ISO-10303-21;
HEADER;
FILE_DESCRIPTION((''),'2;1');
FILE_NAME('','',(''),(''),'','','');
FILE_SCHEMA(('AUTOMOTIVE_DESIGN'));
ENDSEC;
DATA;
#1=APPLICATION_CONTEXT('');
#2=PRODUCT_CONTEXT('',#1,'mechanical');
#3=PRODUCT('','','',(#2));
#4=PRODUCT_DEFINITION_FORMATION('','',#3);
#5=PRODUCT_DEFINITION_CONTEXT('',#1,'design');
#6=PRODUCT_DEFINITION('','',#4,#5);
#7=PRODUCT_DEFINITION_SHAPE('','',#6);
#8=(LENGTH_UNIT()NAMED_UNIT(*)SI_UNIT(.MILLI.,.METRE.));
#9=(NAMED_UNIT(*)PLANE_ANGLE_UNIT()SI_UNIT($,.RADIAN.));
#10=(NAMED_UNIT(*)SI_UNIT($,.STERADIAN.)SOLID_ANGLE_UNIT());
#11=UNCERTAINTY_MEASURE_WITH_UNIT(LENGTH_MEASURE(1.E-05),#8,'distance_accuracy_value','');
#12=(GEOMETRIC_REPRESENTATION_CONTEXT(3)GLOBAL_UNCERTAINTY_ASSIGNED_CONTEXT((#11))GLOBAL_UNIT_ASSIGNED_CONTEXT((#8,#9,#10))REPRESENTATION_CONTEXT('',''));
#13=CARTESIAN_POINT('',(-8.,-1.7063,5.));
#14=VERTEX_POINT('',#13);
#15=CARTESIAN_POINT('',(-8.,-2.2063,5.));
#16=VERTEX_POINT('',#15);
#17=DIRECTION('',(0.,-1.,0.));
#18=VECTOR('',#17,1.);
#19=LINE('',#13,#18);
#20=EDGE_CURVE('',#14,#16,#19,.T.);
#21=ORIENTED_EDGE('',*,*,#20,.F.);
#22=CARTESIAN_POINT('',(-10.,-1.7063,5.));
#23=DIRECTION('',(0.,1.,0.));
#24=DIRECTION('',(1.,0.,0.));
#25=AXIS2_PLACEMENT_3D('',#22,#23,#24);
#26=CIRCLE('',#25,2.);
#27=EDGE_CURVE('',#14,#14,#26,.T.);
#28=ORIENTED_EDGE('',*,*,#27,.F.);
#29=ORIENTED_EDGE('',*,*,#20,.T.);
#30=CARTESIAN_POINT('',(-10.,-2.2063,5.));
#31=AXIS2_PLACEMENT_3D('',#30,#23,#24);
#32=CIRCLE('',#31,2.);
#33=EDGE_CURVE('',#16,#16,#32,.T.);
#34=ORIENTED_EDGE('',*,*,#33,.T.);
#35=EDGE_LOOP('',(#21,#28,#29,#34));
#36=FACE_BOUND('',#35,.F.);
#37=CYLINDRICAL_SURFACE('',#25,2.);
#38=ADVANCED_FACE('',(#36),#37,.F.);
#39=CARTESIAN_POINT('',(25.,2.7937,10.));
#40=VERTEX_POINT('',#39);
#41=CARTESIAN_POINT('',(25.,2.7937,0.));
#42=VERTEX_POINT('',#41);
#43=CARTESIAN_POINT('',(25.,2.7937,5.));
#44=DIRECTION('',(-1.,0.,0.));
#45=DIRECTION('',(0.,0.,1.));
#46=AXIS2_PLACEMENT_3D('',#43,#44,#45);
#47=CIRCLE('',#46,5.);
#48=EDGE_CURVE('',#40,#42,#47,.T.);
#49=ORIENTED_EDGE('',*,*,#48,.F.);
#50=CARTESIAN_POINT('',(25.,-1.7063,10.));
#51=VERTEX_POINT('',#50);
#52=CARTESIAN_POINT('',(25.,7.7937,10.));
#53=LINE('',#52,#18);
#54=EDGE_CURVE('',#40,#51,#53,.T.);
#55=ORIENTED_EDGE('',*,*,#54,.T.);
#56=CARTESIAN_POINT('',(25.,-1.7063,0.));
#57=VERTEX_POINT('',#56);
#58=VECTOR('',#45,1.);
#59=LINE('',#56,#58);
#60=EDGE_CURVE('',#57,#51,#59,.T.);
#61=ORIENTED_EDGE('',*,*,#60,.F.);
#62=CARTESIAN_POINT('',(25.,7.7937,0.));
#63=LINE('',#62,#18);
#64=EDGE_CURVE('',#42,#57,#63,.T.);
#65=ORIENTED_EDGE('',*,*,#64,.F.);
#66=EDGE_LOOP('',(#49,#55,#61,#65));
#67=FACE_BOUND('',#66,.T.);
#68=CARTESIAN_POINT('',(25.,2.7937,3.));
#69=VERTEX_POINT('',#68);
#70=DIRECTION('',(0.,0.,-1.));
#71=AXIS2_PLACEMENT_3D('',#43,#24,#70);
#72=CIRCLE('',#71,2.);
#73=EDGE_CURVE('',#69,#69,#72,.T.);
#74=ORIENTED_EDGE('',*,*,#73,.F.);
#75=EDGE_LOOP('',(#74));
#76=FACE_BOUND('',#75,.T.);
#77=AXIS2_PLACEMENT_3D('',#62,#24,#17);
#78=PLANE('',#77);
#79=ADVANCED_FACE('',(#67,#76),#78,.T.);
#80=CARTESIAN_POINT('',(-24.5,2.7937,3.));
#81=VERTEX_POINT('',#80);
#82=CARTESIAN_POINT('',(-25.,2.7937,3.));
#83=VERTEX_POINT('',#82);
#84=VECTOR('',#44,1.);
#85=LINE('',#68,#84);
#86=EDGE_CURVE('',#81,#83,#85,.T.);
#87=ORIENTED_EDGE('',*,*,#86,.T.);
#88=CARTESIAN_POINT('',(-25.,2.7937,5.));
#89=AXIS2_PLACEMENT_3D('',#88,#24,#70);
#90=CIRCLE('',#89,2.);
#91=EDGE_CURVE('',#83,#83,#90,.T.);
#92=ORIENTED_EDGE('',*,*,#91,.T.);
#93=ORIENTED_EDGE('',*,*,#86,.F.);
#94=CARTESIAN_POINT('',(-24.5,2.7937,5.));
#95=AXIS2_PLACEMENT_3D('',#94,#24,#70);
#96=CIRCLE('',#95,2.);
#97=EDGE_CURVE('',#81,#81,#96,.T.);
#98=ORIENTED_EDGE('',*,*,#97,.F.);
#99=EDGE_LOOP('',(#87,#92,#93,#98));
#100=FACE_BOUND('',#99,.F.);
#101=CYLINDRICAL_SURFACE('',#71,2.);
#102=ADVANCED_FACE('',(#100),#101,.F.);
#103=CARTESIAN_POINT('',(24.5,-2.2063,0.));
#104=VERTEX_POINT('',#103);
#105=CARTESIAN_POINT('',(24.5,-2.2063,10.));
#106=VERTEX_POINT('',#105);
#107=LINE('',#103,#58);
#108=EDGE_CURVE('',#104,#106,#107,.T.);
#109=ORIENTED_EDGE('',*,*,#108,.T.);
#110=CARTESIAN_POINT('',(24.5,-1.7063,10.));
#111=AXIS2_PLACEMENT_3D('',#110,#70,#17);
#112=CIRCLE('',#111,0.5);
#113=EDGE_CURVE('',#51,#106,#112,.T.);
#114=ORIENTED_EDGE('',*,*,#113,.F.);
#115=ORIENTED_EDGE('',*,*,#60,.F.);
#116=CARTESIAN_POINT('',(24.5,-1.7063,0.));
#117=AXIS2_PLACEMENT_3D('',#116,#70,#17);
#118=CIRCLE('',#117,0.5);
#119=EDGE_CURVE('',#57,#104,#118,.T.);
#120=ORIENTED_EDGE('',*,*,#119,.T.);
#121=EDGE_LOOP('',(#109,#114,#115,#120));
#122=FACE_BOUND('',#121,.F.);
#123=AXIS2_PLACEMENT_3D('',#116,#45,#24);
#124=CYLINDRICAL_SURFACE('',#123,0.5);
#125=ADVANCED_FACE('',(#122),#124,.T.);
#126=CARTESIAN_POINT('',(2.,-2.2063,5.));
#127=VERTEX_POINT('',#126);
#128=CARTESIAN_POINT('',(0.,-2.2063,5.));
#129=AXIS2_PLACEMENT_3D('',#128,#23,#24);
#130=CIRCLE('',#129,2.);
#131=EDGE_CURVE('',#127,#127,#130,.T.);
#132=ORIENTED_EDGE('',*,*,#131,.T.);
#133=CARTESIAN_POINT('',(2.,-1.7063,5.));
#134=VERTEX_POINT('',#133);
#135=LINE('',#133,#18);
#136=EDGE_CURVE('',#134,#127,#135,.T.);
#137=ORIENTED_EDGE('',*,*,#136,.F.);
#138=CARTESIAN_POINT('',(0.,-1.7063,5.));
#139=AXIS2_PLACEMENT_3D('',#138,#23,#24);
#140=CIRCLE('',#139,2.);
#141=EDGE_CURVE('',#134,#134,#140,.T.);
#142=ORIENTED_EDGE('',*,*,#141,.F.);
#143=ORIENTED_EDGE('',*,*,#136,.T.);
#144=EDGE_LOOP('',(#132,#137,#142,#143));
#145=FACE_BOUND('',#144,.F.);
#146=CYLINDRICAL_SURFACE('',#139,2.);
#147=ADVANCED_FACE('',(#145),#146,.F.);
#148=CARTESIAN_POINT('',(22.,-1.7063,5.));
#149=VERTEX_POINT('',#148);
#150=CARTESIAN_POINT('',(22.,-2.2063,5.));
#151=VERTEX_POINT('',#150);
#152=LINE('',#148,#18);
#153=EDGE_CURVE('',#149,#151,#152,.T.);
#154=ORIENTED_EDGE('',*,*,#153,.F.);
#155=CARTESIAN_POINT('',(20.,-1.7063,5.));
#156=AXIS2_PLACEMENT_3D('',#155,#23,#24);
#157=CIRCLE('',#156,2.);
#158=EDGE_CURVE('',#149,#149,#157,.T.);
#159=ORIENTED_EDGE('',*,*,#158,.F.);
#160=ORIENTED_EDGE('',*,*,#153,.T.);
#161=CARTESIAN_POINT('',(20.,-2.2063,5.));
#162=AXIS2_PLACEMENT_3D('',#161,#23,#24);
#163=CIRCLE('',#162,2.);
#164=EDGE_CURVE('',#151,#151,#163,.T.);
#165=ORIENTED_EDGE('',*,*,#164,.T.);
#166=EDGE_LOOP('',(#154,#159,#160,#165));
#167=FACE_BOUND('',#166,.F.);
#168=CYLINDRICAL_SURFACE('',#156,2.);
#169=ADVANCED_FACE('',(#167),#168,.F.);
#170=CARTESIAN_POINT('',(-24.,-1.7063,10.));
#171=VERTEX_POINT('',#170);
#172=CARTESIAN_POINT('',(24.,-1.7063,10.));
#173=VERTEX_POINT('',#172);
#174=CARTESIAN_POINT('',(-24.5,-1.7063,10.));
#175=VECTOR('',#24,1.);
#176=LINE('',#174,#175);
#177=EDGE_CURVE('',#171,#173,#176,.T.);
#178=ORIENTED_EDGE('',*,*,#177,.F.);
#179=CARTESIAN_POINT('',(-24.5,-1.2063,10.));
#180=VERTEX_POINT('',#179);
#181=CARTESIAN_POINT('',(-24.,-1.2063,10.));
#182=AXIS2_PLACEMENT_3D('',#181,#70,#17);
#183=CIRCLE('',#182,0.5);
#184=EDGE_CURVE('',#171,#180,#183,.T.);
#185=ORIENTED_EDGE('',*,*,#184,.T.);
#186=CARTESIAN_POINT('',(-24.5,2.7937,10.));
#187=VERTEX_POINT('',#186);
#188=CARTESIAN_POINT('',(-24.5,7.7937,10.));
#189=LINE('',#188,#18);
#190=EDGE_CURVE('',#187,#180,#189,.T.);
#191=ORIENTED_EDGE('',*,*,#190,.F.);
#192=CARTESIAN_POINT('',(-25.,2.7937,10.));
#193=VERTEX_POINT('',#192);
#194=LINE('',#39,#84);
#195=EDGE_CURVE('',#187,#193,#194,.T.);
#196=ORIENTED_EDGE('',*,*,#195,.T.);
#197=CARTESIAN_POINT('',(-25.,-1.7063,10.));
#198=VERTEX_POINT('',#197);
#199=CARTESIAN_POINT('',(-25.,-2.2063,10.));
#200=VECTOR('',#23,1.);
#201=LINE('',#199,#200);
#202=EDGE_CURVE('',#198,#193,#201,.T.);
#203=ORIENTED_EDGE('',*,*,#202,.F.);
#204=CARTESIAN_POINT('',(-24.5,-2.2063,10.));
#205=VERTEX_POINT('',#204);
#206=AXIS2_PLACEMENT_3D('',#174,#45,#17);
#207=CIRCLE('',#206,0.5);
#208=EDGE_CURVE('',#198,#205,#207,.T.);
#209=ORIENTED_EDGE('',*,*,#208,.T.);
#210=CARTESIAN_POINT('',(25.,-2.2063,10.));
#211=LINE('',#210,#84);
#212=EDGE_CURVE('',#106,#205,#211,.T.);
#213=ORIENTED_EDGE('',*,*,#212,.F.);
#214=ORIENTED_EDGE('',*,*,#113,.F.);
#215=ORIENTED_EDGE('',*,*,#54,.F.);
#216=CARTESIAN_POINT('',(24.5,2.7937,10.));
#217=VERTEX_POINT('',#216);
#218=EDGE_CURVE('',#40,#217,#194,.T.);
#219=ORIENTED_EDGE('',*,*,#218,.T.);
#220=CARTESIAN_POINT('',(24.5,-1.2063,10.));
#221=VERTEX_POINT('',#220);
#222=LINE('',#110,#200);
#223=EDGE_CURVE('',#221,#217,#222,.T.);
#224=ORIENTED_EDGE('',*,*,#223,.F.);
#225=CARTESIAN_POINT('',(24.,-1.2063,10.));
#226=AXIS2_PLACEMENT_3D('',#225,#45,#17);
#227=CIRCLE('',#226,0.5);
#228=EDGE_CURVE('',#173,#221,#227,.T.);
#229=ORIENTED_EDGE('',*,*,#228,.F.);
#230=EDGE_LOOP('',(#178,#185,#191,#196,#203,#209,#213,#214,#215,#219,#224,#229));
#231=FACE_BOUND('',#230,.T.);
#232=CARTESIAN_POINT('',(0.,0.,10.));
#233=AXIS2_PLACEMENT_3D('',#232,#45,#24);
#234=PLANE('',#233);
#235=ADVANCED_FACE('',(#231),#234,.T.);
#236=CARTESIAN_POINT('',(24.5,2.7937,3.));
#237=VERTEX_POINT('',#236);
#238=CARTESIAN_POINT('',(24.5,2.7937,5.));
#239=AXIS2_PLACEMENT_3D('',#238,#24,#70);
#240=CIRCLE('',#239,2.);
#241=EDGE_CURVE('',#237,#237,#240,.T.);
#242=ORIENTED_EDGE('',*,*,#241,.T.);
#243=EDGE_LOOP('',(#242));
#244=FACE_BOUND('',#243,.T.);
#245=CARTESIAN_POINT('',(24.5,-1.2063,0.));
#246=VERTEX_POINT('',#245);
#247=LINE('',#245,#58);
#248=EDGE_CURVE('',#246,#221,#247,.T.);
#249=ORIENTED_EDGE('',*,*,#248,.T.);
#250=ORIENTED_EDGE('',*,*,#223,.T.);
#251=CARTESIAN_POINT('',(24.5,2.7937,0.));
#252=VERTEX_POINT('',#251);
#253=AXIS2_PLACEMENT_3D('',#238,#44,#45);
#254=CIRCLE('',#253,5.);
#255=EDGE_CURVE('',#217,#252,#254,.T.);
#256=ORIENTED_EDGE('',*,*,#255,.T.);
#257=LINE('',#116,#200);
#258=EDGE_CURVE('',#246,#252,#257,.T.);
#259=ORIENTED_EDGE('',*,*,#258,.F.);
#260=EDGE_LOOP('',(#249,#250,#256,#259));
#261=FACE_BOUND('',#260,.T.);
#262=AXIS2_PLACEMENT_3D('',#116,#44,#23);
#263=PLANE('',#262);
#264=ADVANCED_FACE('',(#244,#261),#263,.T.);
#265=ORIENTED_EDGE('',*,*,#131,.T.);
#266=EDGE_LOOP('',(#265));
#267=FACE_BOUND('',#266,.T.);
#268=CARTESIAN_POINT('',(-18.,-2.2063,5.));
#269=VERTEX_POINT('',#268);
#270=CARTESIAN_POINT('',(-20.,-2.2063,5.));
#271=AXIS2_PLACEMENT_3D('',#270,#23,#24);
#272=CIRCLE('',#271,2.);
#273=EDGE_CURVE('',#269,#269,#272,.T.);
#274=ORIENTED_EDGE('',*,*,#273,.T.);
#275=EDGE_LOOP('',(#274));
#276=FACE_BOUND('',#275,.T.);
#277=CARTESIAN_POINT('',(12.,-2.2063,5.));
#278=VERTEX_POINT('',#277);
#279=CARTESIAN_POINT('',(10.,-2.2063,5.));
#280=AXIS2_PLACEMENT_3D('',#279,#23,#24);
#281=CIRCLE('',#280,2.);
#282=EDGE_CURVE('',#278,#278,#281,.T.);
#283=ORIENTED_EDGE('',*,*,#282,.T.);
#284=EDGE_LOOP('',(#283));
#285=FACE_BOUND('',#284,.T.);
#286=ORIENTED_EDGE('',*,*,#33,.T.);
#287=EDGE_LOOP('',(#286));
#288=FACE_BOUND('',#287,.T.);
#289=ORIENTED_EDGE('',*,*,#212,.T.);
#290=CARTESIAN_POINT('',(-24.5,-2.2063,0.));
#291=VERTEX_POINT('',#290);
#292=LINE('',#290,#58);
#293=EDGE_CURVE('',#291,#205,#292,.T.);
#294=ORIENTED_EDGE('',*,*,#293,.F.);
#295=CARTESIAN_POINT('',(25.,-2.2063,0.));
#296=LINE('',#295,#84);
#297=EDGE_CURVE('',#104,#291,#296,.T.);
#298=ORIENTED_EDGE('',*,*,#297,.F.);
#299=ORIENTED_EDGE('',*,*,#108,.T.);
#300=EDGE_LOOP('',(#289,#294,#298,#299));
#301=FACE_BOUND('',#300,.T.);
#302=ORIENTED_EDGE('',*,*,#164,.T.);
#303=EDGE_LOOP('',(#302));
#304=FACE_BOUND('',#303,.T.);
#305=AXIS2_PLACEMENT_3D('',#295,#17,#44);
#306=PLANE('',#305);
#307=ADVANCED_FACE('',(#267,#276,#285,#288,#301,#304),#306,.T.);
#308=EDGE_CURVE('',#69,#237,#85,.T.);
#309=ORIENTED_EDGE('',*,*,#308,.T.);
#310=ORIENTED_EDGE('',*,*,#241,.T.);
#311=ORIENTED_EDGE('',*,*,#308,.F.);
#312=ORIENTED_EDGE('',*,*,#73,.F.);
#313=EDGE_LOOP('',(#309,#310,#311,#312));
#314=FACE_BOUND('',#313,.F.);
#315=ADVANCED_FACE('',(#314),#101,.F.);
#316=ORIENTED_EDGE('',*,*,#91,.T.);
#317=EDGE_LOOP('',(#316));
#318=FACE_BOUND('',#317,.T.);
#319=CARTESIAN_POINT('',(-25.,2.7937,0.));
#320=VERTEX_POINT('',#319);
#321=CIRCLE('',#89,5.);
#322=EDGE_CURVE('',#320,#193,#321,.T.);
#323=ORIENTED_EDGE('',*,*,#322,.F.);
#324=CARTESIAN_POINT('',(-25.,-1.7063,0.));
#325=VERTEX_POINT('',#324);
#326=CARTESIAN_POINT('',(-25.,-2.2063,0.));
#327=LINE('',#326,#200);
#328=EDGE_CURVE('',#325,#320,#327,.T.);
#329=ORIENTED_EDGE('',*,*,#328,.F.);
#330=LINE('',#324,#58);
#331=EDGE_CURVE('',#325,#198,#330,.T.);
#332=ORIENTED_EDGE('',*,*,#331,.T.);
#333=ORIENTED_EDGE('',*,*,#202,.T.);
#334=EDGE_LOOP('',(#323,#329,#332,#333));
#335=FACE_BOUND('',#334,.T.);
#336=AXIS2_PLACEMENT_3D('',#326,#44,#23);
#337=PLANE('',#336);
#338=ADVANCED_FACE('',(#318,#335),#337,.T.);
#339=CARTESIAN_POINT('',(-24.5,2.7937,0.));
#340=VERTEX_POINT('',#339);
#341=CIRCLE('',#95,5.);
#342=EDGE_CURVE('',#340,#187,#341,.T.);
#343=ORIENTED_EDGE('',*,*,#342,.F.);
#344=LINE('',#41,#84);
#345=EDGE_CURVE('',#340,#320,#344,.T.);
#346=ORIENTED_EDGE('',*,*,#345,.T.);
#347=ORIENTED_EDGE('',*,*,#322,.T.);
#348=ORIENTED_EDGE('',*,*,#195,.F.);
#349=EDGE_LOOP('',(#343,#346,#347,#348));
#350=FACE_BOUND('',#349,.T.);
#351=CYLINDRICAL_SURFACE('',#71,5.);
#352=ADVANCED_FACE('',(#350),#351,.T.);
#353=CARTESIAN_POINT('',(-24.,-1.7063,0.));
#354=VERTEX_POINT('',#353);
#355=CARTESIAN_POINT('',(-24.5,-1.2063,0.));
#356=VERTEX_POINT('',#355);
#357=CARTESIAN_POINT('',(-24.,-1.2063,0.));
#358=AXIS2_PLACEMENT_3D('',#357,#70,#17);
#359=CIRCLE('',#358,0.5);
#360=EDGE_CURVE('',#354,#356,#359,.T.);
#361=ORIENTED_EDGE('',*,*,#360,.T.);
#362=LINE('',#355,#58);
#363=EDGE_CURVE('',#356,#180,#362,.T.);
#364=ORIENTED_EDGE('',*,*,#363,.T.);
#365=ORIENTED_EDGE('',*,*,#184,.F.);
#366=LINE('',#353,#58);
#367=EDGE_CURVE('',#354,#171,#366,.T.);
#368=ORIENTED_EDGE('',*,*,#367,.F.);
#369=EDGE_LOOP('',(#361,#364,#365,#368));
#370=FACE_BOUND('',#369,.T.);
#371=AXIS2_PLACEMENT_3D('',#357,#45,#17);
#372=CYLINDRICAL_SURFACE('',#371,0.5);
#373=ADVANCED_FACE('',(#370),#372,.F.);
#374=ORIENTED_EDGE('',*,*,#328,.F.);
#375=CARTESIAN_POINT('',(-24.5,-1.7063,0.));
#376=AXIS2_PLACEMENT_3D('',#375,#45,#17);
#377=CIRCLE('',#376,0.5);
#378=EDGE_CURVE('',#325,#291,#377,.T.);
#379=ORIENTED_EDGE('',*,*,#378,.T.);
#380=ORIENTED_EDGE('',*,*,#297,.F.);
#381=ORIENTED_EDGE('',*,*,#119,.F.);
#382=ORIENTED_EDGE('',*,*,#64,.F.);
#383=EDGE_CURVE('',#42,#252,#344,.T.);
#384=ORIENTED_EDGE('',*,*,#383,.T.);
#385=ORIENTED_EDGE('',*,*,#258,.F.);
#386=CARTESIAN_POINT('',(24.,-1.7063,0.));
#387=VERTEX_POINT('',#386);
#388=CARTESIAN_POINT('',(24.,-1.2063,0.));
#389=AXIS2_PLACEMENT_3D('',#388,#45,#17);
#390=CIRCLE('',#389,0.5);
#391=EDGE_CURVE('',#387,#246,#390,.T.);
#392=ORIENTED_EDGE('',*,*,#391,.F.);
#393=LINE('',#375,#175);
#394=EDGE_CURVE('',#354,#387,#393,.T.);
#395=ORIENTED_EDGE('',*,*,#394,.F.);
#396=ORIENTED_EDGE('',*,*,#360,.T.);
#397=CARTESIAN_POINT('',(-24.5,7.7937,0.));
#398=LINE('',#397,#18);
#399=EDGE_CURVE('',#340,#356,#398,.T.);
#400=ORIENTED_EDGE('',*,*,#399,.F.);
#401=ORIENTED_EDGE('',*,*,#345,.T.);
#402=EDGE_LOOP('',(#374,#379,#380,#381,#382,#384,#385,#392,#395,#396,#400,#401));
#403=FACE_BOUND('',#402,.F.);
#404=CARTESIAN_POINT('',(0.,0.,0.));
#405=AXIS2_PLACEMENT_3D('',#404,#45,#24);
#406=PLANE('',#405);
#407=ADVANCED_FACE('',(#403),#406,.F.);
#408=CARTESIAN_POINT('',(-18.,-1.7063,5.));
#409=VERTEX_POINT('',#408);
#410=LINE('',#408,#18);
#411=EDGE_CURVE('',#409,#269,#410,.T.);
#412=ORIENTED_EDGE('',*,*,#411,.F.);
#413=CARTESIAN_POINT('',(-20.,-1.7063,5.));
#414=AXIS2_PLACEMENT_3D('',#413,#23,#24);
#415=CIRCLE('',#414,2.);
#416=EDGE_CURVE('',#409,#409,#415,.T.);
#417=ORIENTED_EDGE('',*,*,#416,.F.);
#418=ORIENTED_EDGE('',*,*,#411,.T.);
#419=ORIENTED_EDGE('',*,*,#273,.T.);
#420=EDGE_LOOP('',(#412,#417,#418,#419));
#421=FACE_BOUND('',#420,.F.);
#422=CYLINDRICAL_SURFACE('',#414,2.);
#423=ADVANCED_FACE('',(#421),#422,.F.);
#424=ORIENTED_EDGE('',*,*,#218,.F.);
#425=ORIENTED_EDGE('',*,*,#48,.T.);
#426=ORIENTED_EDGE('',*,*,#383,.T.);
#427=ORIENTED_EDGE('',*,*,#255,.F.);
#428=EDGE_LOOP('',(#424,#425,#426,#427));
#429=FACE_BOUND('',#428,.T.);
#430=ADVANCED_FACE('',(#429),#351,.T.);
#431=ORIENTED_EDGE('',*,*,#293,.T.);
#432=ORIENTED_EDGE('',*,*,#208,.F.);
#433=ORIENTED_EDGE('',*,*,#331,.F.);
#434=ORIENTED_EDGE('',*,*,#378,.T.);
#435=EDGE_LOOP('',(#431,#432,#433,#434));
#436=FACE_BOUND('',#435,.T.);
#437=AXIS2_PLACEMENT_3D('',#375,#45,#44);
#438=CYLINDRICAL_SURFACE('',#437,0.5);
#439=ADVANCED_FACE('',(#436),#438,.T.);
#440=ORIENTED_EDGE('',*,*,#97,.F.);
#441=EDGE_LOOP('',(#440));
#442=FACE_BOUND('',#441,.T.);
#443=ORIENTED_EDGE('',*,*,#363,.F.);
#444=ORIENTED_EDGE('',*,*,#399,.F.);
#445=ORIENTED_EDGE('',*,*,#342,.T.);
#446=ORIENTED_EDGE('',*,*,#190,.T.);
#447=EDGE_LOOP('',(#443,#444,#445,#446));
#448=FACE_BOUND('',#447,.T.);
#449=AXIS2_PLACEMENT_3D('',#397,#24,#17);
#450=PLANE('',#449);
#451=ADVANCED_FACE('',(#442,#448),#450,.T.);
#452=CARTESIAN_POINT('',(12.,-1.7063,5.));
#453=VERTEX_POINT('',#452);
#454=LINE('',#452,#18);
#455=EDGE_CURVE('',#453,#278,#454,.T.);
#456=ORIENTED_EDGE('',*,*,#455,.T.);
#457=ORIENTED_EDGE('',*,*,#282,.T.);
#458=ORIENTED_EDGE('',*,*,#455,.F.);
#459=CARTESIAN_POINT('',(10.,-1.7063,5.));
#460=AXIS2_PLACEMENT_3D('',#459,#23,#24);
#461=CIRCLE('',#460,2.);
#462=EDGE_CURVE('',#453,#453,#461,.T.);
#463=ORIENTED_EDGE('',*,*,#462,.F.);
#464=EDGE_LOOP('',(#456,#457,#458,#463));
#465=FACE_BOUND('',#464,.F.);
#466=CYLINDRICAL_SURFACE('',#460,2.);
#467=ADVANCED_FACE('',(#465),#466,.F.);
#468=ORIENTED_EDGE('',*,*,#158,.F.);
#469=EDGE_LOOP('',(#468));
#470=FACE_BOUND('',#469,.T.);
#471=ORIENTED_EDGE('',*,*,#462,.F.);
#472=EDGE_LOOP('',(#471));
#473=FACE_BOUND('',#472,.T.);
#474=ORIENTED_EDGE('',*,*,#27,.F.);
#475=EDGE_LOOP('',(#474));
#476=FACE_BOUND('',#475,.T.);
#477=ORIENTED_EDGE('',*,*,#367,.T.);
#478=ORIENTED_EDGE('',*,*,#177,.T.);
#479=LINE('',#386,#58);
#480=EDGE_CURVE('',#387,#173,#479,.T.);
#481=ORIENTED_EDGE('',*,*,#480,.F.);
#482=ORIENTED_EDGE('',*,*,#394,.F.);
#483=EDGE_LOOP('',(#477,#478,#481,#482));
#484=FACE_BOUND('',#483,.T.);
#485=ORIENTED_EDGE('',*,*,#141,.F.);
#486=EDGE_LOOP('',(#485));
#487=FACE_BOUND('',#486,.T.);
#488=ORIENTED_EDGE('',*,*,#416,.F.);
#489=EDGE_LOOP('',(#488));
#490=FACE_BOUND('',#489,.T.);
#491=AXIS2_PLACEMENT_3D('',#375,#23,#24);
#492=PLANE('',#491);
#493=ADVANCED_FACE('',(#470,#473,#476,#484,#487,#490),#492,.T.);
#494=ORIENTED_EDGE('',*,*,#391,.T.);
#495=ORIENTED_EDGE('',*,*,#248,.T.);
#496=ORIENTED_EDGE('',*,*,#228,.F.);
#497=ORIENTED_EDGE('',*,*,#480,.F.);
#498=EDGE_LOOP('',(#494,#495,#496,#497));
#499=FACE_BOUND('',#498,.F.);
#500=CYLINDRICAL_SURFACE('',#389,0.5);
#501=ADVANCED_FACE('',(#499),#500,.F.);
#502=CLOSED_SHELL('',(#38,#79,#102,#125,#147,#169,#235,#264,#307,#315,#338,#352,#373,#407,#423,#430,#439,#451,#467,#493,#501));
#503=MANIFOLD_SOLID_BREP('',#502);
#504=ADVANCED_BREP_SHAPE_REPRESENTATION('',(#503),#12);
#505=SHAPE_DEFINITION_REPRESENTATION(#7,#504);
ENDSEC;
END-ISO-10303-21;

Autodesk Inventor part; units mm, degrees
ref_plane "YZ Plane" through (0, 0, 0) normal (1, 0, 0) x (0, 1, 0)
ref_plane "XZ Plane" through (0, 0, 0) normal (0, 1, 0) x (-1, 0, 0)
ref_plane "XY Plane" through (0, 0, 0) normal (0, 0, 1) x (1, 0, 0)
sketch "Náčrt1" plane through (0, 0, 0) normal (0, 0, 1) x (1, 0, 0)
  line L0 (-24.5, 7.7937) -> (-24.5, -1.7063)
  line L1 (-24.5, -1.7063) -> (24.5, -1.7063)
  line L2 (24.5, -1.7063) -> (24.5, 7.7937)
  line L3 (24.5, 7.7937) -> (25, 7.7937)
  line L4 (25, 7.7937) -> (25, -2.2063)
  line L5 (25, -2.2063) -> (-25, -2.2063)
  line L6 (-25, -2.2063) -> (-25, 7.7937)
  line L7 (-25, 7.7937) -> (-24.5, 7.7937)
  point P0 (0, 0)
  point P1 (24.5, 3.0437)
  point P2 (-24.75, 7.7937)
  point P3 (24.75, 7.7937)
  dimension "d0" = 25
  dimension "d1" = 25
  dimension "d2" = 0.5
  dimension "d3" = 0.5
  dimension "d4" = 0.5
  dimension "d5" = 10
  dimension "d6" = 10
extrude "Vysunutí1" add sketch "Náčrt1" along normal blind 10
sketch "Náčrt2" plane through (25, -2.2063, 0) normal (1, 0, 0) x (0, 0, -1)
  circle A0 centre (-5, 5) radius 2
  line L0 (0, 0) -> (0, 10) projected
  point P0 (0, 2.2063)
  point P1 (0, 5)
  dimension "d9" = 4
  dimension "d10" = 5
extrude "Vysunutí2" cut sketch "Náčrt2" against normal through all
pattern_linear "Obdélníkové pole1" count 10 spacing 10 along (0, 0, 1) of "Vysunutí2"
sketch "Náčrt3" plane through (-24.5, -1.7063, 0) normal (0, 1, 0) x (1, 0, 0)
  circle A0 centre (4.5, -5) radius 2
  line L0 (49, -10) -> (0, -10) projected
  line L1 (-0.5, 0) -> (-0.5, -10) projected
  point P0 (24.5, 0)
  dimension "d16" = 4
  dimension "d17" = 5
  dimension "d18" = 5
extrude "Vysunutí3" cut sketch "Náčrt3" against normal through all
pattern_linear "Obdélníkové pole2" count 10 spacing 10 along (0, 0, -1) count 5 spacing 10 along (1, 0, 0) of "Vysunutí3"
sketch "Náčrt4" plane through (25, -2.2063, 0) normal (1, 0, 0) x (0, 0, -1)
  arc A0 (0, 5) -> (-10, 5) centre (-5, 5) ccw
  line L0 (0, 0) -> (0, 10) projected
  line L1 (0, 0) -> (-10, 0) projected
  line L2 (0, 10) -> (-10, 10) projected
  line L3 (-10, 10) -> (0, 10)
  line L4 (0, 10) -> (0, 5)
  line L5 (0, 10) -> (0, 0.5) projected
  line L6 (-10, 10) -> (-10, 0.5) projected
  line L7 (-10, 5) -> (-10, 10)
  point P0 (0, 2.2063)
  point P1 (-5, 10)
  dimension "d27" = 10
  dimension "d28" = 5
  dimension "d29" = 5
extrude "Vysunutí4" cut sketch "Náčrt4" against normal through all
fillet "Zaoblení1" radius 0.5 2 edges at (25, -2.2063, 5) (24.5, -1.7063, 5)
fillet "Zaoblení2" radius 0.5 2 edges at (-25, -2.2063, 5) (-24.5, -1.7063, 5)
properties part number "1031"
